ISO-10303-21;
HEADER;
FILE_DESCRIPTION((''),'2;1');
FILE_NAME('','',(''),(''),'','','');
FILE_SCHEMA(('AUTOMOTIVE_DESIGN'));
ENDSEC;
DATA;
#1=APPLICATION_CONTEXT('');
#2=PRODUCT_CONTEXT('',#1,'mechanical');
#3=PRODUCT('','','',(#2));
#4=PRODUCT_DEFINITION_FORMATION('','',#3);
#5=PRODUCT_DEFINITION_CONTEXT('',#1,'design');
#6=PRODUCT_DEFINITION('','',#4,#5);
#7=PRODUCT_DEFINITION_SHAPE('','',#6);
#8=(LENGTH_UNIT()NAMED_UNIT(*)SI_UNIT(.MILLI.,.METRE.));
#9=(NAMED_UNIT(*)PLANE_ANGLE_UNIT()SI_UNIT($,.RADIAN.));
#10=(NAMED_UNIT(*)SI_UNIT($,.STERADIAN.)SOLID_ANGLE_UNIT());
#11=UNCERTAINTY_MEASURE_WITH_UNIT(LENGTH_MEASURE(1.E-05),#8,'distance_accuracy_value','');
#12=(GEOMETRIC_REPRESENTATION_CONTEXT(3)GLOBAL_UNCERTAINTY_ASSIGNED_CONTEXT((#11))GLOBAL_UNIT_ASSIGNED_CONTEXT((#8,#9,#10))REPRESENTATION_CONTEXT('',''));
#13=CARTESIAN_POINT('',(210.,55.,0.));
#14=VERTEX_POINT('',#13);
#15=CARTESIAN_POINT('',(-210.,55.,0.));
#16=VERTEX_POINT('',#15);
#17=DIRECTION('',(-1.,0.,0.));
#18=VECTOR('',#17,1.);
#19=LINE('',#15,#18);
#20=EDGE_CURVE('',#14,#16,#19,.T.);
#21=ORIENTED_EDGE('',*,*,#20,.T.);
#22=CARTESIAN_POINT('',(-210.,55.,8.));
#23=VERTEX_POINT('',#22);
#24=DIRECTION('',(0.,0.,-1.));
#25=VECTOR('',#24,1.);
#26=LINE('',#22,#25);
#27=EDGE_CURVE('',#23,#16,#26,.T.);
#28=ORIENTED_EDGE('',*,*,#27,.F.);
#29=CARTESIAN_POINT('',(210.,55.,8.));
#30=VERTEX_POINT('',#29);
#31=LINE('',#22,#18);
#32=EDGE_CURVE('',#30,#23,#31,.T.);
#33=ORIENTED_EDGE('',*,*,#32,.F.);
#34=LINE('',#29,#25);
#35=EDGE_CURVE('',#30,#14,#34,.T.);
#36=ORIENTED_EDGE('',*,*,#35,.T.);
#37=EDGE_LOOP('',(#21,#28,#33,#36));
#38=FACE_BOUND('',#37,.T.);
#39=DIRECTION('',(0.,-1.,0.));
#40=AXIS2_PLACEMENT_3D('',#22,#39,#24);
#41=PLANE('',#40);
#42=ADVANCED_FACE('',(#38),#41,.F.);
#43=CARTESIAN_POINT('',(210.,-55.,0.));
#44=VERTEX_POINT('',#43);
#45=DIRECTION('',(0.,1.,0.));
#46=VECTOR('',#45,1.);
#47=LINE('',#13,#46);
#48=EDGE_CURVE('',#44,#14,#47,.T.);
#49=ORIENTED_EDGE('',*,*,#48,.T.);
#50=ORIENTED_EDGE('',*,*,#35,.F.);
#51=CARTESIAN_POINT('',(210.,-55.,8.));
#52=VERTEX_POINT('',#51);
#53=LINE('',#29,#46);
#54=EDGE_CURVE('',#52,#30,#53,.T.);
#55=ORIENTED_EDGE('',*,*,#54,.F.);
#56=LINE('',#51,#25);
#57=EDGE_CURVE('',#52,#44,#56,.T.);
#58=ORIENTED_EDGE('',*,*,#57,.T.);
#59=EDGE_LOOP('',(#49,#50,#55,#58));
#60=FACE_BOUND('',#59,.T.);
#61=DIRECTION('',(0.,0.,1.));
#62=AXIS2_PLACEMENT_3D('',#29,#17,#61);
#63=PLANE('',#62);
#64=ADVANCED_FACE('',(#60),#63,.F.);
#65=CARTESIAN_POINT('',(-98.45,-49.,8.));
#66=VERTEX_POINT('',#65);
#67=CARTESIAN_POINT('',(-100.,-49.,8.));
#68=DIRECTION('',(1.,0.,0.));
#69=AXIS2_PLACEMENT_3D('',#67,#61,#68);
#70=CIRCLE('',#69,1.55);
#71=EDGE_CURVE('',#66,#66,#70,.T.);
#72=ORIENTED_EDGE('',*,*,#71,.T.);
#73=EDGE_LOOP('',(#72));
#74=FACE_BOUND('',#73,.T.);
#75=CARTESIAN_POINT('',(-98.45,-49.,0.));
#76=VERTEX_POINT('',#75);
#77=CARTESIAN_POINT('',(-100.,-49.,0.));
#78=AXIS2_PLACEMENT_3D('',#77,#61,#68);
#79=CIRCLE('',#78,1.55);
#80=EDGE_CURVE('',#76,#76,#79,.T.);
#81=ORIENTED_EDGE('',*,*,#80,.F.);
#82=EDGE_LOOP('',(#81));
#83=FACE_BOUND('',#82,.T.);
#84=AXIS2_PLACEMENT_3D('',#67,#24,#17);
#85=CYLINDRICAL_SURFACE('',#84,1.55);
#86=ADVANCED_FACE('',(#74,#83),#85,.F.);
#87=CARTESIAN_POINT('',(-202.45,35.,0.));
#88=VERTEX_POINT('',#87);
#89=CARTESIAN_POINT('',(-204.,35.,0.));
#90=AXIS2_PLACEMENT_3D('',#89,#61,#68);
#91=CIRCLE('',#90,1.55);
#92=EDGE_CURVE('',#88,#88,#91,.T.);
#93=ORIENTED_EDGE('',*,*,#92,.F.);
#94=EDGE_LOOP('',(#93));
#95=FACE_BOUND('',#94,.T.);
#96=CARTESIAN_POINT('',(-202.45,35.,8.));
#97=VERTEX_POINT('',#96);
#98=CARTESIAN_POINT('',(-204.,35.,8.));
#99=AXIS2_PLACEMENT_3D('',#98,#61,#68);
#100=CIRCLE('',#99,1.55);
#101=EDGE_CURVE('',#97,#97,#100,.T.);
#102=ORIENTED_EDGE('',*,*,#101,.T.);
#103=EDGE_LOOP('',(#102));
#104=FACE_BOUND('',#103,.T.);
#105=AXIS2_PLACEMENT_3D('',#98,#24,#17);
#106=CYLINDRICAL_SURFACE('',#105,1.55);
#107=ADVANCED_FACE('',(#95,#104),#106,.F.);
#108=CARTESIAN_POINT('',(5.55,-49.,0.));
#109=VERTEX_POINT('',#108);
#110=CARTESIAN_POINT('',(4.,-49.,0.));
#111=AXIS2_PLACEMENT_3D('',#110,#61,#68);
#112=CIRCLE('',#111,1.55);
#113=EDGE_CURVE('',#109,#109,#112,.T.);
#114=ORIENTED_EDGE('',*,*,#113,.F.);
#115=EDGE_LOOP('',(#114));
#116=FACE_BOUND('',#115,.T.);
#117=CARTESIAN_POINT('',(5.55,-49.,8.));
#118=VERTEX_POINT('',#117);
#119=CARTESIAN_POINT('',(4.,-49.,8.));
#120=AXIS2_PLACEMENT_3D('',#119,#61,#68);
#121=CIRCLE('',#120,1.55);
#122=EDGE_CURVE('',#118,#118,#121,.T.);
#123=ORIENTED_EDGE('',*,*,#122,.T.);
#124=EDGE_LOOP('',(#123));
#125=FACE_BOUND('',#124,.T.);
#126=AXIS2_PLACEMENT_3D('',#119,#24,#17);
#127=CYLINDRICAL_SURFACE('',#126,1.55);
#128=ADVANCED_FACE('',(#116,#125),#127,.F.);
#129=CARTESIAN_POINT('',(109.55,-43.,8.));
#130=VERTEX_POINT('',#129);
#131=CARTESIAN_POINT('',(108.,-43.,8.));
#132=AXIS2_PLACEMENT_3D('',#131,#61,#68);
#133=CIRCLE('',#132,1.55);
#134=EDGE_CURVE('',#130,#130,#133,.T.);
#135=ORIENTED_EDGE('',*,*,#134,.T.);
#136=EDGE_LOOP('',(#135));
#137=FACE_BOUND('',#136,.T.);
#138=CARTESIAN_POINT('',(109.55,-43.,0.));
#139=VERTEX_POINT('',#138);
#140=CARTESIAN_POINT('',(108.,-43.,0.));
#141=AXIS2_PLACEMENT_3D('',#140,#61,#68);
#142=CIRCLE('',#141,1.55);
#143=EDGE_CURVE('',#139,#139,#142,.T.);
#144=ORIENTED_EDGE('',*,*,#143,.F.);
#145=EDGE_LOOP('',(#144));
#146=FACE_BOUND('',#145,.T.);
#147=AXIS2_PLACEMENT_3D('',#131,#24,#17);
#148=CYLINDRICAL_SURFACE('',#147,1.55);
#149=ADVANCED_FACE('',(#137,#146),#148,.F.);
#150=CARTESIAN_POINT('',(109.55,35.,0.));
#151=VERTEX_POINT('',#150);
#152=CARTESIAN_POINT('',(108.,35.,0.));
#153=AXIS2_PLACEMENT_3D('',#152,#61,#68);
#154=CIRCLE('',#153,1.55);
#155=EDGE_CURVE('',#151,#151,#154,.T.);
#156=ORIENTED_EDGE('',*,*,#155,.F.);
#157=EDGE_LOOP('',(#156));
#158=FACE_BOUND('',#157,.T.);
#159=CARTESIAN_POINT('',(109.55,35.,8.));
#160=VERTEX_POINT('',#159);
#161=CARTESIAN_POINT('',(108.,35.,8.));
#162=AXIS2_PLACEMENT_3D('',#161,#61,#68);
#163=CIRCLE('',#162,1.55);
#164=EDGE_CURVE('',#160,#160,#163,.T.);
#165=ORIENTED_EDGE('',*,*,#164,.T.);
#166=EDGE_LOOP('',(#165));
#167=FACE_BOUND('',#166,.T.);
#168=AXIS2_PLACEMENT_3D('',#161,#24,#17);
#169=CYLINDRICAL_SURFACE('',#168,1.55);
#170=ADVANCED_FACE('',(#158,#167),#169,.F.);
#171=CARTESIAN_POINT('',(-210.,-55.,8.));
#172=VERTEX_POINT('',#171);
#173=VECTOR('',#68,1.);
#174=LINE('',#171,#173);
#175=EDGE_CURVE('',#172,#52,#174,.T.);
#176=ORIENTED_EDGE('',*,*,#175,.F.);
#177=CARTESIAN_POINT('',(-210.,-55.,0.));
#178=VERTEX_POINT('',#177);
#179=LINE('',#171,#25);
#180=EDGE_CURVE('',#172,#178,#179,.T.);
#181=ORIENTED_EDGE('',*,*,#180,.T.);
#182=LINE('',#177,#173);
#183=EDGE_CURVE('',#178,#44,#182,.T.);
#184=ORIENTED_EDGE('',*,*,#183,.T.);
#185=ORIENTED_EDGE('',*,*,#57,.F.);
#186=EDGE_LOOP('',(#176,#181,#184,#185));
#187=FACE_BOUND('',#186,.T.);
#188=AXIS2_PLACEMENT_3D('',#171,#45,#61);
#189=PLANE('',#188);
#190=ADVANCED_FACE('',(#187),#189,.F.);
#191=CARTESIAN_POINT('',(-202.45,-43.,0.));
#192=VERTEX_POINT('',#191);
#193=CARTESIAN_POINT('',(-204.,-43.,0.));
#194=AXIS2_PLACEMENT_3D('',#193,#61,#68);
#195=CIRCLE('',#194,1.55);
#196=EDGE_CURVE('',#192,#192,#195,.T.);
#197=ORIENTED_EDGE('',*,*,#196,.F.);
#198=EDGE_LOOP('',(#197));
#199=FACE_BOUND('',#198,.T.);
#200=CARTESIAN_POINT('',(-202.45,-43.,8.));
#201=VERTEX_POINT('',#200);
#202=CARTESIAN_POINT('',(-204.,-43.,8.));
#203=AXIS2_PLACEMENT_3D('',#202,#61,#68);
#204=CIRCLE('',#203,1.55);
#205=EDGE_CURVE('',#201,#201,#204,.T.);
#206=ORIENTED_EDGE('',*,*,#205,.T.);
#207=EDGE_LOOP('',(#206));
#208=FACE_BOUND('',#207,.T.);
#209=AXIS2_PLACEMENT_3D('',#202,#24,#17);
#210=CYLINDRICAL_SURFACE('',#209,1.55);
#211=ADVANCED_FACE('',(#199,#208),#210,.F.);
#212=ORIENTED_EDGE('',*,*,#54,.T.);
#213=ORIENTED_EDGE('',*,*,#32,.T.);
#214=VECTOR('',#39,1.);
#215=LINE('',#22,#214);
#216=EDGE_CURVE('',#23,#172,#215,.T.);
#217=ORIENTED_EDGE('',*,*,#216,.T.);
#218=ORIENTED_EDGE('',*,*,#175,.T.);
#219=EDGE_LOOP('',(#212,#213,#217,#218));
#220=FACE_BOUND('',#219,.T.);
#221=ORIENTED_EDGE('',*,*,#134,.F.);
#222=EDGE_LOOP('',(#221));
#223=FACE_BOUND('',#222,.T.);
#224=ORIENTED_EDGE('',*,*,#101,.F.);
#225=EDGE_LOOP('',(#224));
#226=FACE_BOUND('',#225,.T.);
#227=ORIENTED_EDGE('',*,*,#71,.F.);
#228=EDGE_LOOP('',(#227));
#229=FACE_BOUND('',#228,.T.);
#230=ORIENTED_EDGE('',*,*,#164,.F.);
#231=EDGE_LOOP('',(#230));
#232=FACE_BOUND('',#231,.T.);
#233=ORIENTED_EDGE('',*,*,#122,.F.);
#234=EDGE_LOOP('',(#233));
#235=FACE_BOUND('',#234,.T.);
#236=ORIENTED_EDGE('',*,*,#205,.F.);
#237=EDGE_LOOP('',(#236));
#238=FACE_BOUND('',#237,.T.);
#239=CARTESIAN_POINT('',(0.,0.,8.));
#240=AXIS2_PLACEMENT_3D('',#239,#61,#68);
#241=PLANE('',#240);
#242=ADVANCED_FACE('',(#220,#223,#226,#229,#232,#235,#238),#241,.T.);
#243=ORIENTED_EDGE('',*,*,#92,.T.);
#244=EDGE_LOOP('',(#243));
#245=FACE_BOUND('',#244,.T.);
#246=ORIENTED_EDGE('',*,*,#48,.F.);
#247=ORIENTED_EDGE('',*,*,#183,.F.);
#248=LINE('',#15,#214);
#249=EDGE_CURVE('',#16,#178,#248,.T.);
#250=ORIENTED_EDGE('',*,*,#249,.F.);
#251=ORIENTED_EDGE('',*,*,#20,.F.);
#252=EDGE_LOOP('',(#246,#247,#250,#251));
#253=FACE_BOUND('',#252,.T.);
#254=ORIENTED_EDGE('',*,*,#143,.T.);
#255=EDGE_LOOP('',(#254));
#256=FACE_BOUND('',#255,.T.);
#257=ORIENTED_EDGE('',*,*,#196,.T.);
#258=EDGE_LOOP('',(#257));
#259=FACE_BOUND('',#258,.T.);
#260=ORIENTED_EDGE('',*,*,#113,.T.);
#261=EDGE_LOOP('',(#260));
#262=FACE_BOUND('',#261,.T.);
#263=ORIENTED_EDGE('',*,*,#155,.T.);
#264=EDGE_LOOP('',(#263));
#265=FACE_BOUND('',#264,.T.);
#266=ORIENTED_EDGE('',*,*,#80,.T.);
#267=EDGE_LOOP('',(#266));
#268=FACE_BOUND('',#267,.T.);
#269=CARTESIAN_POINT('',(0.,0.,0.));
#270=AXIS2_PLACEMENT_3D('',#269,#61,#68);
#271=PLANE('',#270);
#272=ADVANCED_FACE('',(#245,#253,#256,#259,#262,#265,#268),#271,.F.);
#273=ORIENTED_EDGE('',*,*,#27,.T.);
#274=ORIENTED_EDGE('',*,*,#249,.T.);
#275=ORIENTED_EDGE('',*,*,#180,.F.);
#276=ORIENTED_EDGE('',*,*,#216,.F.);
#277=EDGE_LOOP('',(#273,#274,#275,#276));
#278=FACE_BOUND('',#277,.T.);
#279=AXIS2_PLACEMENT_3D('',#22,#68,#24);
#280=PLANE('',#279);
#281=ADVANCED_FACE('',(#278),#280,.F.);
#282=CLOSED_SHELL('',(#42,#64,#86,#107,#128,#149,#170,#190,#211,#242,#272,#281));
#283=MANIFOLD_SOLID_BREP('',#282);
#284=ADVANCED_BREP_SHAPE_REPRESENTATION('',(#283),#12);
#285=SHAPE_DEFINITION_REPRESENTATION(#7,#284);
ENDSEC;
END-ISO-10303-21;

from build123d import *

# Parameters (mm, degrees)
SKETCH1_W           = 420
SKETCH1_H           = 110
BOSS_EXTRUDE1_DEPTH = 8
SKETCH2_R           = 1.55
CUT_EXTRUDE4_DEPTH  = 9


with BuildPart() as part:
    # Sketch1 → Boss-Extrude1 (new body)
    with BuildSketch(Plane.XY):
        Rectangle(SKETCH1_W, SKETCH1_H)
    extrude(amount=BOSS_EXTRUDE1_DEPTH)

    # Sketch2 → Cut-Extrude4 (cut, through all)
    with BuildSketch(Plane.XY):
        with Locations((-204, 35)):
            Circle(SKETCH2_R)
        with Locations((-204, -43)):
            Circle(SKETCH2_R)
        with Locations((-100, -49)):
            Circle(SKETCH2_R)
        with Locations((4, -49)):
            Circle(SKETCH2_R)
        with Locations((108, -43)):
            Circle(SKETCH2_R)
        with Locations((108, 35)):
            Circle(SKETCH2_R)
    extrude(amount=CUT_EXTRUDE4_DEPTH, mode=Mode.SUBTRACT)


solid = part.part
